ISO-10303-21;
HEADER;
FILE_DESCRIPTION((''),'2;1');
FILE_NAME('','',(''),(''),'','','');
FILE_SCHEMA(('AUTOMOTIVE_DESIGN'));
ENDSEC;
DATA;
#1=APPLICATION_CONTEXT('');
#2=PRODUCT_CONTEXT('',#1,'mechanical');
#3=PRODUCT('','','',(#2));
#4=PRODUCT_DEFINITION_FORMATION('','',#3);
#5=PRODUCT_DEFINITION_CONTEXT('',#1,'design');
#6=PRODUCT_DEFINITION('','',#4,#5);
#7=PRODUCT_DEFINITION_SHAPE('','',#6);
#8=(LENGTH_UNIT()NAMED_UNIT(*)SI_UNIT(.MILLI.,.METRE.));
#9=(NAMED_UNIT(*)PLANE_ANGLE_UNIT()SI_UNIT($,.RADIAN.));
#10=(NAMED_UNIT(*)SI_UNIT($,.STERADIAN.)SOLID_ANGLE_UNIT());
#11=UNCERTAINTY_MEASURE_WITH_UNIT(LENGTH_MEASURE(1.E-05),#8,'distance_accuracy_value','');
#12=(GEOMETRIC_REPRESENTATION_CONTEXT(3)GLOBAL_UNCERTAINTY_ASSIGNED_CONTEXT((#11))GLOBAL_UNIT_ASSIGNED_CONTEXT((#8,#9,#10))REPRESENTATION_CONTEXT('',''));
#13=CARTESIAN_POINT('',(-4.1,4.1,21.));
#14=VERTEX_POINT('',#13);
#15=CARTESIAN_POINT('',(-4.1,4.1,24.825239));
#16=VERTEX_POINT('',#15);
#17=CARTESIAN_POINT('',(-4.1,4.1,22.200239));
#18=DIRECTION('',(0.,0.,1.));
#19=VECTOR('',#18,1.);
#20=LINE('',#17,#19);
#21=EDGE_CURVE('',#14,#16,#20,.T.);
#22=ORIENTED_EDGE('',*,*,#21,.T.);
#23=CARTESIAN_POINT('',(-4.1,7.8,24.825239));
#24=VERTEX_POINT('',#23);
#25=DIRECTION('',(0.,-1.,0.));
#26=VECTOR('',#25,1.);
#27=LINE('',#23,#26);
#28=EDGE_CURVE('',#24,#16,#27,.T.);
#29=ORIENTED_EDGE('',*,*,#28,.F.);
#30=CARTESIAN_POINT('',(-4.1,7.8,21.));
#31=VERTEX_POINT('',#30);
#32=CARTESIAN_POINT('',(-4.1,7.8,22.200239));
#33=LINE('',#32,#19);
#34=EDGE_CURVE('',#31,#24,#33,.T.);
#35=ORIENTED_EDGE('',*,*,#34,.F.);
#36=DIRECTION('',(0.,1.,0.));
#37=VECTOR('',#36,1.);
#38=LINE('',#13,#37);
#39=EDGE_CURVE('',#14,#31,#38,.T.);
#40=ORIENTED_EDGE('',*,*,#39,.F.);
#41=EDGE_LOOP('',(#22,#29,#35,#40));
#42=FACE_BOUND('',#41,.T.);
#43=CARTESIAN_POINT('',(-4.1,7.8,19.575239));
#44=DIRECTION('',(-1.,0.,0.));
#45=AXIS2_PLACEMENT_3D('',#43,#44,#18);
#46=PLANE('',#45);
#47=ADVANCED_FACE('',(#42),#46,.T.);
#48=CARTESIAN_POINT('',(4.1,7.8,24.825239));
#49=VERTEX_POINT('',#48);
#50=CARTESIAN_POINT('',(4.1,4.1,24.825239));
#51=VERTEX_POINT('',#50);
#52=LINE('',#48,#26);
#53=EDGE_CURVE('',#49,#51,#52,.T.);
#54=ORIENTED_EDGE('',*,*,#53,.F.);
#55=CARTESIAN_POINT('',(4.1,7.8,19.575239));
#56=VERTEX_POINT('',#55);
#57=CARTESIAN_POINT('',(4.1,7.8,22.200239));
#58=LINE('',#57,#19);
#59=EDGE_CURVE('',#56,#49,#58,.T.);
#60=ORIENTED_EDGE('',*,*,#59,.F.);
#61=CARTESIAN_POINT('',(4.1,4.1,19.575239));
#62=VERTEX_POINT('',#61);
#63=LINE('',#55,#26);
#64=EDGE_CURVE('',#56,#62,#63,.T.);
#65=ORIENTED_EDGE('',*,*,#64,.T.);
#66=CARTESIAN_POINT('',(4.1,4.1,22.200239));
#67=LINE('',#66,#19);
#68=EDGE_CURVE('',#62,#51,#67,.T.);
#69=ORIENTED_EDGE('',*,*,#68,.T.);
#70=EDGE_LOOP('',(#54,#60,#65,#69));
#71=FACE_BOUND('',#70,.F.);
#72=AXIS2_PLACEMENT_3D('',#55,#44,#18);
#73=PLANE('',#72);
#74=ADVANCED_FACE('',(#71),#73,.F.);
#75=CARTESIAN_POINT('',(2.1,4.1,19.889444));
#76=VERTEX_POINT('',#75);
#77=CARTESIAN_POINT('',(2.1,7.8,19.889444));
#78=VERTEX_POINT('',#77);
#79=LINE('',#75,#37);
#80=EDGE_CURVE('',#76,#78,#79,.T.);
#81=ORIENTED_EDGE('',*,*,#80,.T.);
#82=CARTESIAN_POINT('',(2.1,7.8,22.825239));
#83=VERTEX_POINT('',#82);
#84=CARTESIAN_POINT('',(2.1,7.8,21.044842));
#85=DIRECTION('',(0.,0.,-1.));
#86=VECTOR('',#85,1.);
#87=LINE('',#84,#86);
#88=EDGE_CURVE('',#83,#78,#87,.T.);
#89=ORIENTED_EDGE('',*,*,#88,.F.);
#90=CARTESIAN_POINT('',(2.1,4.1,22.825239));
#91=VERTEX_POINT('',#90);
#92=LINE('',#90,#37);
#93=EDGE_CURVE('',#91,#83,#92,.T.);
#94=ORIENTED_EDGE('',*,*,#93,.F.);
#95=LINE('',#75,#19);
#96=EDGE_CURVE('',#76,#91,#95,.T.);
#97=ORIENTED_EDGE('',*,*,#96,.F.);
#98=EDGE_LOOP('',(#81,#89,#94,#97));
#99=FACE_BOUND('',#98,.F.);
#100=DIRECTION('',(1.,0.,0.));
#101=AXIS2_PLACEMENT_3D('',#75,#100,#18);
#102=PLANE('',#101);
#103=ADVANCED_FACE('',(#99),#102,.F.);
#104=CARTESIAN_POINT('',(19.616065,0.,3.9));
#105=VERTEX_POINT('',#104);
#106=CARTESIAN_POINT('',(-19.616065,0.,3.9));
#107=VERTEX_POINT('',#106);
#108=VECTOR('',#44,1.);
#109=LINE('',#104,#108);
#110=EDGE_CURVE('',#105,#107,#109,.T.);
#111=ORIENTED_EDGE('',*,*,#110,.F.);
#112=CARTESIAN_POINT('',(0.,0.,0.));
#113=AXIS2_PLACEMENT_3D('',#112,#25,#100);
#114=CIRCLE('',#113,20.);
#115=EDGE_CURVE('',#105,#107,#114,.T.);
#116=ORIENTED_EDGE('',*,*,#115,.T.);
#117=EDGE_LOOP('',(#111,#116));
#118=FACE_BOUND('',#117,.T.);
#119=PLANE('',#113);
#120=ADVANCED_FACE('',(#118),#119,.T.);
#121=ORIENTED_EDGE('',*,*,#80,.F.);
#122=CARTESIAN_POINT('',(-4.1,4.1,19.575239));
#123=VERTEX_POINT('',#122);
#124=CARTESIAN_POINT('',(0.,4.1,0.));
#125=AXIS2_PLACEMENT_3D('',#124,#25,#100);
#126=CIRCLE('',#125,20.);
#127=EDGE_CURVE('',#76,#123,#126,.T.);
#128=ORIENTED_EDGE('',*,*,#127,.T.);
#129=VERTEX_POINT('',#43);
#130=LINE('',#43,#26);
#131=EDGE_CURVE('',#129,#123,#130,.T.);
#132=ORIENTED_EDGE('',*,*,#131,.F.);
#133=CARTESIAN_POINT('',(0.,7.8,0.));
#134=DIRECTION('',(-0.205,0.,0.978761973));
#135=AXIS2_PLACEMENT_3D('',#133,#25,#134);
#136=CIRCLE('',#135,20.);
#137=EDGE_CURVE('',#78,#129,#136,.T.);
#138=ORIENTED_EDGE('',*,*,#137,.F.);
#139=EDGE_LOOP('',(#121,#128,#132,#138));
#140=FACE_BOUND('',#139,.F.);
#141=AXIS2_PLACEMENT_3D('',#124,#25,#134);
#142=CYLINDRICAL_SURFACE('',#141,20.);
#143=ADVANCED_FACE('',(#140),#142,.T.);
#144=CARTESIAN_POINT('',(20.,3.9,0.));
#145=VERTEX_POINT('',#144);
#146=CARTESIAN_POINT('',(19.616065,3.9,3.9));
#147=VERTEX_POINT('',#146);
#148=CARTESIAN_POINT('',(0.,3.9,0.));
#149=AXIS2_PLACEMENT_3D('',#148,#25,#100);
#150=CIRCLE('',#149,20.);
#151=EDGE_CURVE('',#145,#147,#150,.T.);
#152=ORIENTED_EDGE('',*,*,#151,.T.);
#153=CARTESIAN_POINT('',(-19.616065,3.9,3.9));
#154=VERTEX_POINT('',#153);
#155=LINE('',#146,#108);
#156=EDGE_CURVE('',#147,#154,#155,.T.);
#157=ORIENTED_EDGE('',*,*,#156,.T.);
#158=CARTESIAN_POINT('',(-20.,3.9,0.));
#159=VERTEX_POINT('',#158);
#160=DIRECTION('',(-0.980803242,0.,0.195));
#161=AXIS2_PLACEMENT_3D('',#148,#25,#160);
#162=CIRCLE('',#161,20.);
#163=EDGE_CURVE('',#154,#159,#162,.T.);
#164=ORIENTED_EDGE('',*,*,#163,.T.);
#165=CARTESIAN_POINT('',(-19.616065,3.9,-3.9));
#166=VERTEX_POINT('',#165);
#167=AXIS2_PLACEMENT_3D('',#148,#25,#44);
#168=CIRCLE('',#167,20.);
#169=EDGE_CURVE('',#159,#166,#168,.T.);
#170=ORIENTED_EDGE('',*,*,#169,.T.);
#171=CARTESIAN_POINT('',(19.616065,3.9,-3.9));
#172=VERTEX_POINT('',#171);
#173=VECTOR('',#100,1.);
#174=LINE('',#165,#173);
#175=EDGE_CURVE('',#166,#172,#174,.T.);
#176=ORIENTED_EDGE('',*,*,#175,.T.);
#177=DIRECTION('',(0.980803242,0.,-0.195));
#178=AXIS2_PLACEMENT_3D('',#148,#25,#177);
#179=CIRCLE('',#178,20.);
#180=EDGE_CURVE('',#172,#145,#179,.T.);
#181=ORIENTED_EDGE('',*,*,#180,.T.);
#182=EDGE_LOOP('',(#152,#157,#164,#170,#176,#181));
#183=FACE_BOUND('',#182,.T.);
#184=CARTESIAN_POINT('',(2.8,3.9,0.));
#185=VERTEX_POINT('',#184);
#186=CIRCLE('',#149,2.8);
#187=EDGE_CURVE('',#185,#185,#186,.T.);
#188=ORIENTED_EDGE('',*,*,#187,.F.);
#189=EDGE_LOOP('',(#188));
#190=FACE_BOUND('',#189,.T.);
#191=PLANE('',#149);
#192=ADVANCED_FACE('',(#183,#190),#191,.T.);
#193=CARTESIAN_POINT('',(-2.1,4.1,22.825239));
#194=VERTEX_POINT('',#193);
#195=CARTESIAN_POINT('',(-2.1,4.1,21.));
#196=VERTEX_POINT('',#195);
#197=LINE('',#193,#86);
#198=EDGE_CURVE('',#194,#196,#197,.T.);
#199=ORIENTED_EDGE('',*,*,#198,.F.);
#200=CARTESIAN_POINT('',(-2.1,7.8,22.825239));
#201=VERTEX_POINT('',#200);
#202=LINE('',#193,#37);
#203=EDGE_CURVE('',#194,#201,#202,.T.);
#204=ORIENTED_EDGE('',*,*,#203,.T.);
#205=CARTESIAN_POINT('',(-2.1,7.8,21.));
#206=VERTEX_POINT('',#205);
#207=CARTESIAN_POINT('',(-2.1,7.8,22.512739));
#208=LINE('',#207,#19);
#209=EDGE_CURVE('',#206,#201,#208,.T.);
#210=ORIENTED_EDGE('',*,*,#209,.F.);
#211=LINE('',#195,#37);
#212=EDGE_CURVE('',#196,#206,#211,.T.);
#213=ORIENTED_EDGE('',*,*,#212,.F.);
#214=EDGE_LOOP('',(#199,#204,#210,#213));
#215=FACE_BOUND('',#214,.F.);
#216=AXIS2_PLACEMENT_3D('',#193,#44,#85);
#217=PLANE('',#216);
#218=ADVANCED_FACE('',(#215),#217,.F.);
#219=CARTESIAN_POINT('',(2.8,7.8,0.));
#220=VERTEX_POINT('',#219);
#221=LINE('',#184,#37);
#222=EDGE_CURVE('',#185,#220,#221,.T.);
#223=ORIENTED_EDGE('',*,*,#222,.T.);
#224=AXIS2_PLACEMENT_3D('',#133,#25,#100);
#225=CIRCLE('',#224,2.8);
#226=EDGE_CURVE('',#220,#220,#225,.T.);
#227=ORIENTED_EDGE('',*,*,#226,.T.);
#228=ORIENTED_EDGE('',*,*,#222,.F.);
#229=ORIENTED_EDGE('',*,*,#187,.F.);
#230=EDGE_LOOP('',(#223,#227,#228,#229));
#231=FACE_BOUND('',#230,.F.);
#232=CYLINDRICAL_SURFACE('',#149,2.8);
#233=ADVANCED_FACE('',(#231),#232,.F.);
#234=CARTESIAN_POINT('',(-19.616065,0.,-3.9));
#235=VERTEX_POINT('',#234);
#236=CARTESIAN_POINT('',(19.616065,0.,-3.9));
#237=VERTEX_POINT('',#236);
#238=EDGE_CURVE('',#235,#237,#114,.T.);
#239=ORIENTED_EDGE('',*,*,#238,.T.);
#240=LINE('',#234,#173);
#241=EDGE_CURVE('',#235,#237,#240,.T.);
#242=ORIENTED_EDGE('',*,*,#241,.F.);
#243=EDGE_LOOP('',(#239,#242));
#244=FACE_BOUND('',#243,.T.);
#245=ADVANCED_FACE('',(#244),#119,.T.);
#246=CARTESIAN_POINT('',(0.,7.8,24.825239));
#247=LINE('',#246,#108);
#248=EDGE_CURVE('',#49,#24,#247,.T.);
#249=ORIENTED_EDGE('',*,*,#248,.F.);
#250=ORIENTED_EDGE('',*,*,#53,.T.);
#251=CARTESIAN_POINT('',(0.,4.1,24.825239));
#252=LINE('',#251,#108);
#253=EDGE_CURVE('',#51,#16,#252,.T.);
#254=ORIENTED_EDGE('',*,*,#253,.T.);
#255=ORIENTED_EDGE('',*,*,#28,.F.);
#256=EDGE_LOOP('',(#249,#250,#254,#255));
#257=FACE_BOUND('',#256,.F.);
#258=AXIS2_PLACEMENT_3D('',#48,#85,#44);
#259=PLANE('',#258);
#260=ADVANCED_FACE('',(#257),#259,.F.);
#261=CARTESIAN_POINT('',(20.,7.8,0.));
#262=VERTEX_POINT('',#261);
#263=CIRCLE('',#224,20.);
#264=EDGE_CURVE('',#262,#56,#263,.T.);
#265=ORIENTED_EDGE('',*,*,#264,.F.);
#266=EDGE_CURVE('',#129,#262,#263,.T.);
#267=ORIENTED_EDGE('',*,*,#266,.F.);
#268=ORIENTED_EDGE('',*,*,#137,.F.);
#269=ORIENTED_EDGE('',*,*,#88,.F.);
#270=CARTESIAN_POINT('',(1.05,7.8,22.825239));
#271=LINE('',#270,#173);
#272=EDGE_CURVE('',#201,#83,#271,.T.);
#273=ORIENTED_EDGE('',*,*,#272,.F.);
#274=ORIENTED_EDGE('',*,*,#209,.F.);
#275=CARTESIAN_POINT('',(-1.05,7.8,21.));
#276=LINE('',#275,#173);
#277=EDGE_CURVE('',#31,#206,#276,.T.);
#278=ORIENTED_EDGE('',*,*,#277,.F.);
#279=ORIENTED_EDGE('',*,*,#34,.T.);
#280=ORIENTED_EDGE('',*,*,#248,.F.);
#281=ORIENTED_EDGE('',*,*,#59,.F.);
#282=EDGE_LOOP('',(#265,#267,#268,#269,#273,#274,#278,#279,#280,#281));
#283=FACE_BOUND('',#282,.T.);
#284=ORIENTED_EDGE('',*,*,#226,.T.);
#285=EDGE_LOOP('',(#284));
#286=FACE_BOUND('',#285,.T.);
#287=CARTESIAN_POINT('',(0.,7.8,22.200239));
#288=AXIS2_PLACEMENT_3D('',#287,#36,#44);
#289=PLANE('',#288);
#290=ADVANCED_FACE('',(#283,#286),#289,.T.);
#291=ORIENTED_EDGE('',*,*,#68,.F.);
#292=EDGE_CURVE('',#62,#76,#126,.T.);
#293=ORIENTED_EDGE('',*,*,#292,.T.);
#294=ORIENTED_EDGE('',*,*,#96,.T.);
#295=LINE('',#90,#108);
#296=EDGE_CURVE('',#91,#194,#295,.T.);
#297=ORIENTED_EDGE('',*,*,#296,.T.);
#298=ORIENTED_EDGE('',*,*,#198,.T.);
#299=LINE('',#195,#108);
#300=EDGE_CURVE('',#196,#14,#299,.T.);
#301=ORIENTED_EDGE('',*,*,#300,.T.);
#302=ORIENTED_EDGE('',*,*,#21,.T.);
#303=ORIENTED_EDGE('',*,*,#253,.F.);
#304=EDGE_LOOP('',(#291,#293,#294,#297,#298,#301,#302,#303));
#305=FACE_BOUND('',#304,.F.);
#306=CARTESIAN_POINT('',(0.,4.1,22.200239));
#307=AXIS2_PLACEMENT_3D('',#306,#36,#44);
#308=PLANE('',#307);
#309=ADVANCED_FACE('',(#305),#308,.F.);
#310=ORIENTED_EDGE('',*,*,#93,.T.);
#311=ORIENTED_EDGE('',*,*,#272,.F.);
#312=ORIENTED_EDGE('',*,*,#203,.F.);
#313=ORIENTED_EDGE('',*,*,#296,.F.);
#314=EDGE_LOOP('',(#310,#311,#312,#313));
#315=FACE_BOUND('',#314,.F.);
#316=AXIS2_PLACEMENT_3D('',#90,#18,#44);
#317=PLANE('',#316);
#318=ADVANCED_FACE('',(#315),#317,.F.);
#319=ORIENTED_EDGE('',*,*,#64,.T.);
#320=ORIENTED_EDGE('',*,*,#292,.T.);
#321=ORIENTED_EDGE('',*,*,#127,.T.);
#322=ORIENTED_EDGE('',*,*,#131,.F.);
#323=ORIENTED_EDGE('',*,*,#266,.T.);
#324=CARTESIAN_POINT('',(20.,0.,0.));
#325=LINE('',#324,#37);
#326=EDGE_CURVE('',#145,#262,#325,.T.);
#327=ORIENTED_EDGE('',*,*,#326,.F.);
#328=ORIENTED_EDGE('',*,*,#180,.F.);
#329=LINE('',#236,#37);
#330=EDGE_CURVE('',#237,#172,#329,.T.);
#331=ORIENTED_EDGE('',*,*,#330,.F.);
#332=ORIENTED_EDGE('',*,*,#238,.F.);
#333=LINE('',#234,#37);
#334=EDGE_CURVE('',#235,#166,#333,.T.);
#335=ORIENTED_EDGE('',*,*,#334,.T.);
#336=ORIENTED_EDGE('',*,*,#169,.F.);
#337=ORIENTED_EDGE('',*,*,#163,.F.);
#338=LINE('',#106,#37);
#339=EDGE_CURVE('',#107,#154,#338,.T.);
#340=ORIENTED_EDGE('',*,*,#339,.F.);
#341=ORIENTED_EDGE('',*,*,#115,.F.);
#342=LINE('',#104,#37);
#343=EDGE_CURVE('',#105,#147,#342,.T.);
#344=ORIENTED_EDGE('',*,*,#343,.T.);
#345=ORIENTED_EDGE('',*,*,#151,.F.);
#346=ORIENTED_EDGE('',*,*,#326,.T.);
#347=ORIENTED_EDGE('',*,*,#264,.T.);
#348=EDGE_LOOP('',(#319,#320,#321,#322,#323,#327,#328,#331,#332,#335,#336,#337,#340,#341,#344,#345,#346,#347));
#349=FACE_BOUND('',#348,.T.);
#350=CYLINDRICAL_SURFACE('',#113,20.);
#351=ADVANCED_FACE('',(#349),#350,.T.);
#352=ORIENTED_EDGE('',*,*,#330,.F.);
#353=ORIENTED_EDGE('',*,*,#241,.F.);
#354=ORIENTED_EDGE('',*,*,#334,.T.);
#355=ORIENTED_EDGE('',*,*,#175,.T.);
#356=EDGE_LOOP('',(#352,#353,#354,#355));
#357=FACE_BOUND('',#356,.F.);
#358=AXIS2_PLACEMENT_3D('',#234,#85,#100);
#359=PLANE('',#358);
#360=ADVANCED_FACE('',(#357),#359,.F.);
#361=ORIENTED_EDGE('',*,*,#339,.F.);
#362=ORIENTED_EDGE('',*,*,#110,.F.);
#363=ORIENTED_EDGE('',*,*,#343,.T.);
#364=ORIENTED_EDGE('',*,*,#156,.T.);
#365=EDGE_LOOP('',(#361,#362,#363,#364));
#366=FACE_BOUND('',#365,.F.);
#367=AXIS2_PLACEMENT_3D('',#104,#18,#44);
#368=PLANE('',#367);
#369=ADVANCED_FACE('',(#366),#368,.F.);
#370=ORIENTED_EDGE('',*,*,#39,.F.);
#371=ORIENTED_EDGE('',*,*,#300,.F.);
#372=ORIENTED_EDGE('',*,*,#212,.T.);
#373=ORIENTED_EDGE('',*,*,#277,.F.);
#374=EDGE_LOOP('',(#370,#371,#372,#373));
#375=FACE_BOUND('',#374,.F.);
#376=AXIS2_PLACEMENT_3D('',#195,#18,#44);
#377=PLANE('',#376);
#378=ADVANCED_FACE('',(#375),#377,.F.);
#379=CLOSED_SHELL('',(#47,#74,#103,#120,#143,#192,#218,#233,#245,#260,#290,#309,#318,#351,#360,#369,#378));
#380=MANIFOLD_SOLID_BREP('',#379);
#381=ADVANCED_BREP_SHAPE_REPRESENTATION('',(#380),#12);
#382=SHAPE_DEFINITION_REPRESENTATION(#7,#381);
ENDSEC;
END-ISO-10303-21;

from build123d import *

# Parameters (mm, degrees)
F0_R     = 20
F1_DEPTH = 7.8
F3_DEPTH = 3.9
F4_R     = 2.8
F5_DEPTH = 3.901
F6_W     = 8.2
F6_H     = 5.25
F7_DEPTH = 3.7
F9_DEPTH = 3.701


with BuildPart() as f1:
    # F0 (on Front) → F1 (new body)
    with BuildSketch(Plane.XZ):
        Circle(F0_R)
    extrude(amount=-F1_DEPTH)

    # F2 (on face) → F3 (cut)
    with BuildSketch(Plane.XZ):
        with BuildLine():
            Line((19.6160648449, 3.9), (-19.6160648449, 3.9))
            ThreePointArc((-19.6160648449, 3.9), (-19.903784777, 1.9594263321), (-20, 0))
            ThreePointArc((-20, 0), (-19.903784777, -1.9594263321), (-19.6160648449, -3.9))
            Line((-19.6160648449, -3.9), (19.6160648449, -3.9))
            ThreePointArc((19.6160648449, -3.9), (19.903784777, -1.9594263321), (20, 0))
            ThreePointArc((20, 0), (19.903784777, 1.9594263321), (19.6160648449, 3.9))
        make_face()
    extrude(amount=-F3_DEPTH, mode=Mode.SUBTRACT)

    # F4 (on face) → F5 (cut, through all)
    with BuildSketch(Plane.XZ.offset(-3.9)):
        Circle(F4_R)
    extrude(amount=-F5_DEPTH, mode=Mode.SUBTRACT)

    # F6 (on face) → F7 (join)
    with BuildSketch(Plane(origin=(0, 7.8, 0), x_dir=(-1, 0, 0), z_dir=(0, 1, 0))):
        with Locations((0, 22.2002394621)):
            Rectangle(F6_W, F6_H)
    extrude(amount=-F7_DEPTH)

    # F8 (on face) → F9 (cut, through all)
    with BuildSketch(Plane.XZ.offset(-4.1)):
        with BuildLine():
            Line((-2.1, 22.8252394621), (-2.1, 22.2002394621))
            Line((-2.1, 22.2002394621), (-2.1, 21))
            Line((-2.1, 21), (-4.1, 21))
            Line((-4.1, 21), (-4.1, 19.5752394621))
            ThreePointArc((-4.1, 19.5752394621), (-1.012265376, 19.9743665434), (2.1, 19.8894444367))
            Line((2.1, 19.8894444367), (2.1, 22.8252394621))
            Line((2.1, 22.8252394621), (-2.1, 22.8252394621))
        make_face()
    extrude(amount=-F9_DEPTH, mode=Mode.SUBTRACT)


solid = f1.part
